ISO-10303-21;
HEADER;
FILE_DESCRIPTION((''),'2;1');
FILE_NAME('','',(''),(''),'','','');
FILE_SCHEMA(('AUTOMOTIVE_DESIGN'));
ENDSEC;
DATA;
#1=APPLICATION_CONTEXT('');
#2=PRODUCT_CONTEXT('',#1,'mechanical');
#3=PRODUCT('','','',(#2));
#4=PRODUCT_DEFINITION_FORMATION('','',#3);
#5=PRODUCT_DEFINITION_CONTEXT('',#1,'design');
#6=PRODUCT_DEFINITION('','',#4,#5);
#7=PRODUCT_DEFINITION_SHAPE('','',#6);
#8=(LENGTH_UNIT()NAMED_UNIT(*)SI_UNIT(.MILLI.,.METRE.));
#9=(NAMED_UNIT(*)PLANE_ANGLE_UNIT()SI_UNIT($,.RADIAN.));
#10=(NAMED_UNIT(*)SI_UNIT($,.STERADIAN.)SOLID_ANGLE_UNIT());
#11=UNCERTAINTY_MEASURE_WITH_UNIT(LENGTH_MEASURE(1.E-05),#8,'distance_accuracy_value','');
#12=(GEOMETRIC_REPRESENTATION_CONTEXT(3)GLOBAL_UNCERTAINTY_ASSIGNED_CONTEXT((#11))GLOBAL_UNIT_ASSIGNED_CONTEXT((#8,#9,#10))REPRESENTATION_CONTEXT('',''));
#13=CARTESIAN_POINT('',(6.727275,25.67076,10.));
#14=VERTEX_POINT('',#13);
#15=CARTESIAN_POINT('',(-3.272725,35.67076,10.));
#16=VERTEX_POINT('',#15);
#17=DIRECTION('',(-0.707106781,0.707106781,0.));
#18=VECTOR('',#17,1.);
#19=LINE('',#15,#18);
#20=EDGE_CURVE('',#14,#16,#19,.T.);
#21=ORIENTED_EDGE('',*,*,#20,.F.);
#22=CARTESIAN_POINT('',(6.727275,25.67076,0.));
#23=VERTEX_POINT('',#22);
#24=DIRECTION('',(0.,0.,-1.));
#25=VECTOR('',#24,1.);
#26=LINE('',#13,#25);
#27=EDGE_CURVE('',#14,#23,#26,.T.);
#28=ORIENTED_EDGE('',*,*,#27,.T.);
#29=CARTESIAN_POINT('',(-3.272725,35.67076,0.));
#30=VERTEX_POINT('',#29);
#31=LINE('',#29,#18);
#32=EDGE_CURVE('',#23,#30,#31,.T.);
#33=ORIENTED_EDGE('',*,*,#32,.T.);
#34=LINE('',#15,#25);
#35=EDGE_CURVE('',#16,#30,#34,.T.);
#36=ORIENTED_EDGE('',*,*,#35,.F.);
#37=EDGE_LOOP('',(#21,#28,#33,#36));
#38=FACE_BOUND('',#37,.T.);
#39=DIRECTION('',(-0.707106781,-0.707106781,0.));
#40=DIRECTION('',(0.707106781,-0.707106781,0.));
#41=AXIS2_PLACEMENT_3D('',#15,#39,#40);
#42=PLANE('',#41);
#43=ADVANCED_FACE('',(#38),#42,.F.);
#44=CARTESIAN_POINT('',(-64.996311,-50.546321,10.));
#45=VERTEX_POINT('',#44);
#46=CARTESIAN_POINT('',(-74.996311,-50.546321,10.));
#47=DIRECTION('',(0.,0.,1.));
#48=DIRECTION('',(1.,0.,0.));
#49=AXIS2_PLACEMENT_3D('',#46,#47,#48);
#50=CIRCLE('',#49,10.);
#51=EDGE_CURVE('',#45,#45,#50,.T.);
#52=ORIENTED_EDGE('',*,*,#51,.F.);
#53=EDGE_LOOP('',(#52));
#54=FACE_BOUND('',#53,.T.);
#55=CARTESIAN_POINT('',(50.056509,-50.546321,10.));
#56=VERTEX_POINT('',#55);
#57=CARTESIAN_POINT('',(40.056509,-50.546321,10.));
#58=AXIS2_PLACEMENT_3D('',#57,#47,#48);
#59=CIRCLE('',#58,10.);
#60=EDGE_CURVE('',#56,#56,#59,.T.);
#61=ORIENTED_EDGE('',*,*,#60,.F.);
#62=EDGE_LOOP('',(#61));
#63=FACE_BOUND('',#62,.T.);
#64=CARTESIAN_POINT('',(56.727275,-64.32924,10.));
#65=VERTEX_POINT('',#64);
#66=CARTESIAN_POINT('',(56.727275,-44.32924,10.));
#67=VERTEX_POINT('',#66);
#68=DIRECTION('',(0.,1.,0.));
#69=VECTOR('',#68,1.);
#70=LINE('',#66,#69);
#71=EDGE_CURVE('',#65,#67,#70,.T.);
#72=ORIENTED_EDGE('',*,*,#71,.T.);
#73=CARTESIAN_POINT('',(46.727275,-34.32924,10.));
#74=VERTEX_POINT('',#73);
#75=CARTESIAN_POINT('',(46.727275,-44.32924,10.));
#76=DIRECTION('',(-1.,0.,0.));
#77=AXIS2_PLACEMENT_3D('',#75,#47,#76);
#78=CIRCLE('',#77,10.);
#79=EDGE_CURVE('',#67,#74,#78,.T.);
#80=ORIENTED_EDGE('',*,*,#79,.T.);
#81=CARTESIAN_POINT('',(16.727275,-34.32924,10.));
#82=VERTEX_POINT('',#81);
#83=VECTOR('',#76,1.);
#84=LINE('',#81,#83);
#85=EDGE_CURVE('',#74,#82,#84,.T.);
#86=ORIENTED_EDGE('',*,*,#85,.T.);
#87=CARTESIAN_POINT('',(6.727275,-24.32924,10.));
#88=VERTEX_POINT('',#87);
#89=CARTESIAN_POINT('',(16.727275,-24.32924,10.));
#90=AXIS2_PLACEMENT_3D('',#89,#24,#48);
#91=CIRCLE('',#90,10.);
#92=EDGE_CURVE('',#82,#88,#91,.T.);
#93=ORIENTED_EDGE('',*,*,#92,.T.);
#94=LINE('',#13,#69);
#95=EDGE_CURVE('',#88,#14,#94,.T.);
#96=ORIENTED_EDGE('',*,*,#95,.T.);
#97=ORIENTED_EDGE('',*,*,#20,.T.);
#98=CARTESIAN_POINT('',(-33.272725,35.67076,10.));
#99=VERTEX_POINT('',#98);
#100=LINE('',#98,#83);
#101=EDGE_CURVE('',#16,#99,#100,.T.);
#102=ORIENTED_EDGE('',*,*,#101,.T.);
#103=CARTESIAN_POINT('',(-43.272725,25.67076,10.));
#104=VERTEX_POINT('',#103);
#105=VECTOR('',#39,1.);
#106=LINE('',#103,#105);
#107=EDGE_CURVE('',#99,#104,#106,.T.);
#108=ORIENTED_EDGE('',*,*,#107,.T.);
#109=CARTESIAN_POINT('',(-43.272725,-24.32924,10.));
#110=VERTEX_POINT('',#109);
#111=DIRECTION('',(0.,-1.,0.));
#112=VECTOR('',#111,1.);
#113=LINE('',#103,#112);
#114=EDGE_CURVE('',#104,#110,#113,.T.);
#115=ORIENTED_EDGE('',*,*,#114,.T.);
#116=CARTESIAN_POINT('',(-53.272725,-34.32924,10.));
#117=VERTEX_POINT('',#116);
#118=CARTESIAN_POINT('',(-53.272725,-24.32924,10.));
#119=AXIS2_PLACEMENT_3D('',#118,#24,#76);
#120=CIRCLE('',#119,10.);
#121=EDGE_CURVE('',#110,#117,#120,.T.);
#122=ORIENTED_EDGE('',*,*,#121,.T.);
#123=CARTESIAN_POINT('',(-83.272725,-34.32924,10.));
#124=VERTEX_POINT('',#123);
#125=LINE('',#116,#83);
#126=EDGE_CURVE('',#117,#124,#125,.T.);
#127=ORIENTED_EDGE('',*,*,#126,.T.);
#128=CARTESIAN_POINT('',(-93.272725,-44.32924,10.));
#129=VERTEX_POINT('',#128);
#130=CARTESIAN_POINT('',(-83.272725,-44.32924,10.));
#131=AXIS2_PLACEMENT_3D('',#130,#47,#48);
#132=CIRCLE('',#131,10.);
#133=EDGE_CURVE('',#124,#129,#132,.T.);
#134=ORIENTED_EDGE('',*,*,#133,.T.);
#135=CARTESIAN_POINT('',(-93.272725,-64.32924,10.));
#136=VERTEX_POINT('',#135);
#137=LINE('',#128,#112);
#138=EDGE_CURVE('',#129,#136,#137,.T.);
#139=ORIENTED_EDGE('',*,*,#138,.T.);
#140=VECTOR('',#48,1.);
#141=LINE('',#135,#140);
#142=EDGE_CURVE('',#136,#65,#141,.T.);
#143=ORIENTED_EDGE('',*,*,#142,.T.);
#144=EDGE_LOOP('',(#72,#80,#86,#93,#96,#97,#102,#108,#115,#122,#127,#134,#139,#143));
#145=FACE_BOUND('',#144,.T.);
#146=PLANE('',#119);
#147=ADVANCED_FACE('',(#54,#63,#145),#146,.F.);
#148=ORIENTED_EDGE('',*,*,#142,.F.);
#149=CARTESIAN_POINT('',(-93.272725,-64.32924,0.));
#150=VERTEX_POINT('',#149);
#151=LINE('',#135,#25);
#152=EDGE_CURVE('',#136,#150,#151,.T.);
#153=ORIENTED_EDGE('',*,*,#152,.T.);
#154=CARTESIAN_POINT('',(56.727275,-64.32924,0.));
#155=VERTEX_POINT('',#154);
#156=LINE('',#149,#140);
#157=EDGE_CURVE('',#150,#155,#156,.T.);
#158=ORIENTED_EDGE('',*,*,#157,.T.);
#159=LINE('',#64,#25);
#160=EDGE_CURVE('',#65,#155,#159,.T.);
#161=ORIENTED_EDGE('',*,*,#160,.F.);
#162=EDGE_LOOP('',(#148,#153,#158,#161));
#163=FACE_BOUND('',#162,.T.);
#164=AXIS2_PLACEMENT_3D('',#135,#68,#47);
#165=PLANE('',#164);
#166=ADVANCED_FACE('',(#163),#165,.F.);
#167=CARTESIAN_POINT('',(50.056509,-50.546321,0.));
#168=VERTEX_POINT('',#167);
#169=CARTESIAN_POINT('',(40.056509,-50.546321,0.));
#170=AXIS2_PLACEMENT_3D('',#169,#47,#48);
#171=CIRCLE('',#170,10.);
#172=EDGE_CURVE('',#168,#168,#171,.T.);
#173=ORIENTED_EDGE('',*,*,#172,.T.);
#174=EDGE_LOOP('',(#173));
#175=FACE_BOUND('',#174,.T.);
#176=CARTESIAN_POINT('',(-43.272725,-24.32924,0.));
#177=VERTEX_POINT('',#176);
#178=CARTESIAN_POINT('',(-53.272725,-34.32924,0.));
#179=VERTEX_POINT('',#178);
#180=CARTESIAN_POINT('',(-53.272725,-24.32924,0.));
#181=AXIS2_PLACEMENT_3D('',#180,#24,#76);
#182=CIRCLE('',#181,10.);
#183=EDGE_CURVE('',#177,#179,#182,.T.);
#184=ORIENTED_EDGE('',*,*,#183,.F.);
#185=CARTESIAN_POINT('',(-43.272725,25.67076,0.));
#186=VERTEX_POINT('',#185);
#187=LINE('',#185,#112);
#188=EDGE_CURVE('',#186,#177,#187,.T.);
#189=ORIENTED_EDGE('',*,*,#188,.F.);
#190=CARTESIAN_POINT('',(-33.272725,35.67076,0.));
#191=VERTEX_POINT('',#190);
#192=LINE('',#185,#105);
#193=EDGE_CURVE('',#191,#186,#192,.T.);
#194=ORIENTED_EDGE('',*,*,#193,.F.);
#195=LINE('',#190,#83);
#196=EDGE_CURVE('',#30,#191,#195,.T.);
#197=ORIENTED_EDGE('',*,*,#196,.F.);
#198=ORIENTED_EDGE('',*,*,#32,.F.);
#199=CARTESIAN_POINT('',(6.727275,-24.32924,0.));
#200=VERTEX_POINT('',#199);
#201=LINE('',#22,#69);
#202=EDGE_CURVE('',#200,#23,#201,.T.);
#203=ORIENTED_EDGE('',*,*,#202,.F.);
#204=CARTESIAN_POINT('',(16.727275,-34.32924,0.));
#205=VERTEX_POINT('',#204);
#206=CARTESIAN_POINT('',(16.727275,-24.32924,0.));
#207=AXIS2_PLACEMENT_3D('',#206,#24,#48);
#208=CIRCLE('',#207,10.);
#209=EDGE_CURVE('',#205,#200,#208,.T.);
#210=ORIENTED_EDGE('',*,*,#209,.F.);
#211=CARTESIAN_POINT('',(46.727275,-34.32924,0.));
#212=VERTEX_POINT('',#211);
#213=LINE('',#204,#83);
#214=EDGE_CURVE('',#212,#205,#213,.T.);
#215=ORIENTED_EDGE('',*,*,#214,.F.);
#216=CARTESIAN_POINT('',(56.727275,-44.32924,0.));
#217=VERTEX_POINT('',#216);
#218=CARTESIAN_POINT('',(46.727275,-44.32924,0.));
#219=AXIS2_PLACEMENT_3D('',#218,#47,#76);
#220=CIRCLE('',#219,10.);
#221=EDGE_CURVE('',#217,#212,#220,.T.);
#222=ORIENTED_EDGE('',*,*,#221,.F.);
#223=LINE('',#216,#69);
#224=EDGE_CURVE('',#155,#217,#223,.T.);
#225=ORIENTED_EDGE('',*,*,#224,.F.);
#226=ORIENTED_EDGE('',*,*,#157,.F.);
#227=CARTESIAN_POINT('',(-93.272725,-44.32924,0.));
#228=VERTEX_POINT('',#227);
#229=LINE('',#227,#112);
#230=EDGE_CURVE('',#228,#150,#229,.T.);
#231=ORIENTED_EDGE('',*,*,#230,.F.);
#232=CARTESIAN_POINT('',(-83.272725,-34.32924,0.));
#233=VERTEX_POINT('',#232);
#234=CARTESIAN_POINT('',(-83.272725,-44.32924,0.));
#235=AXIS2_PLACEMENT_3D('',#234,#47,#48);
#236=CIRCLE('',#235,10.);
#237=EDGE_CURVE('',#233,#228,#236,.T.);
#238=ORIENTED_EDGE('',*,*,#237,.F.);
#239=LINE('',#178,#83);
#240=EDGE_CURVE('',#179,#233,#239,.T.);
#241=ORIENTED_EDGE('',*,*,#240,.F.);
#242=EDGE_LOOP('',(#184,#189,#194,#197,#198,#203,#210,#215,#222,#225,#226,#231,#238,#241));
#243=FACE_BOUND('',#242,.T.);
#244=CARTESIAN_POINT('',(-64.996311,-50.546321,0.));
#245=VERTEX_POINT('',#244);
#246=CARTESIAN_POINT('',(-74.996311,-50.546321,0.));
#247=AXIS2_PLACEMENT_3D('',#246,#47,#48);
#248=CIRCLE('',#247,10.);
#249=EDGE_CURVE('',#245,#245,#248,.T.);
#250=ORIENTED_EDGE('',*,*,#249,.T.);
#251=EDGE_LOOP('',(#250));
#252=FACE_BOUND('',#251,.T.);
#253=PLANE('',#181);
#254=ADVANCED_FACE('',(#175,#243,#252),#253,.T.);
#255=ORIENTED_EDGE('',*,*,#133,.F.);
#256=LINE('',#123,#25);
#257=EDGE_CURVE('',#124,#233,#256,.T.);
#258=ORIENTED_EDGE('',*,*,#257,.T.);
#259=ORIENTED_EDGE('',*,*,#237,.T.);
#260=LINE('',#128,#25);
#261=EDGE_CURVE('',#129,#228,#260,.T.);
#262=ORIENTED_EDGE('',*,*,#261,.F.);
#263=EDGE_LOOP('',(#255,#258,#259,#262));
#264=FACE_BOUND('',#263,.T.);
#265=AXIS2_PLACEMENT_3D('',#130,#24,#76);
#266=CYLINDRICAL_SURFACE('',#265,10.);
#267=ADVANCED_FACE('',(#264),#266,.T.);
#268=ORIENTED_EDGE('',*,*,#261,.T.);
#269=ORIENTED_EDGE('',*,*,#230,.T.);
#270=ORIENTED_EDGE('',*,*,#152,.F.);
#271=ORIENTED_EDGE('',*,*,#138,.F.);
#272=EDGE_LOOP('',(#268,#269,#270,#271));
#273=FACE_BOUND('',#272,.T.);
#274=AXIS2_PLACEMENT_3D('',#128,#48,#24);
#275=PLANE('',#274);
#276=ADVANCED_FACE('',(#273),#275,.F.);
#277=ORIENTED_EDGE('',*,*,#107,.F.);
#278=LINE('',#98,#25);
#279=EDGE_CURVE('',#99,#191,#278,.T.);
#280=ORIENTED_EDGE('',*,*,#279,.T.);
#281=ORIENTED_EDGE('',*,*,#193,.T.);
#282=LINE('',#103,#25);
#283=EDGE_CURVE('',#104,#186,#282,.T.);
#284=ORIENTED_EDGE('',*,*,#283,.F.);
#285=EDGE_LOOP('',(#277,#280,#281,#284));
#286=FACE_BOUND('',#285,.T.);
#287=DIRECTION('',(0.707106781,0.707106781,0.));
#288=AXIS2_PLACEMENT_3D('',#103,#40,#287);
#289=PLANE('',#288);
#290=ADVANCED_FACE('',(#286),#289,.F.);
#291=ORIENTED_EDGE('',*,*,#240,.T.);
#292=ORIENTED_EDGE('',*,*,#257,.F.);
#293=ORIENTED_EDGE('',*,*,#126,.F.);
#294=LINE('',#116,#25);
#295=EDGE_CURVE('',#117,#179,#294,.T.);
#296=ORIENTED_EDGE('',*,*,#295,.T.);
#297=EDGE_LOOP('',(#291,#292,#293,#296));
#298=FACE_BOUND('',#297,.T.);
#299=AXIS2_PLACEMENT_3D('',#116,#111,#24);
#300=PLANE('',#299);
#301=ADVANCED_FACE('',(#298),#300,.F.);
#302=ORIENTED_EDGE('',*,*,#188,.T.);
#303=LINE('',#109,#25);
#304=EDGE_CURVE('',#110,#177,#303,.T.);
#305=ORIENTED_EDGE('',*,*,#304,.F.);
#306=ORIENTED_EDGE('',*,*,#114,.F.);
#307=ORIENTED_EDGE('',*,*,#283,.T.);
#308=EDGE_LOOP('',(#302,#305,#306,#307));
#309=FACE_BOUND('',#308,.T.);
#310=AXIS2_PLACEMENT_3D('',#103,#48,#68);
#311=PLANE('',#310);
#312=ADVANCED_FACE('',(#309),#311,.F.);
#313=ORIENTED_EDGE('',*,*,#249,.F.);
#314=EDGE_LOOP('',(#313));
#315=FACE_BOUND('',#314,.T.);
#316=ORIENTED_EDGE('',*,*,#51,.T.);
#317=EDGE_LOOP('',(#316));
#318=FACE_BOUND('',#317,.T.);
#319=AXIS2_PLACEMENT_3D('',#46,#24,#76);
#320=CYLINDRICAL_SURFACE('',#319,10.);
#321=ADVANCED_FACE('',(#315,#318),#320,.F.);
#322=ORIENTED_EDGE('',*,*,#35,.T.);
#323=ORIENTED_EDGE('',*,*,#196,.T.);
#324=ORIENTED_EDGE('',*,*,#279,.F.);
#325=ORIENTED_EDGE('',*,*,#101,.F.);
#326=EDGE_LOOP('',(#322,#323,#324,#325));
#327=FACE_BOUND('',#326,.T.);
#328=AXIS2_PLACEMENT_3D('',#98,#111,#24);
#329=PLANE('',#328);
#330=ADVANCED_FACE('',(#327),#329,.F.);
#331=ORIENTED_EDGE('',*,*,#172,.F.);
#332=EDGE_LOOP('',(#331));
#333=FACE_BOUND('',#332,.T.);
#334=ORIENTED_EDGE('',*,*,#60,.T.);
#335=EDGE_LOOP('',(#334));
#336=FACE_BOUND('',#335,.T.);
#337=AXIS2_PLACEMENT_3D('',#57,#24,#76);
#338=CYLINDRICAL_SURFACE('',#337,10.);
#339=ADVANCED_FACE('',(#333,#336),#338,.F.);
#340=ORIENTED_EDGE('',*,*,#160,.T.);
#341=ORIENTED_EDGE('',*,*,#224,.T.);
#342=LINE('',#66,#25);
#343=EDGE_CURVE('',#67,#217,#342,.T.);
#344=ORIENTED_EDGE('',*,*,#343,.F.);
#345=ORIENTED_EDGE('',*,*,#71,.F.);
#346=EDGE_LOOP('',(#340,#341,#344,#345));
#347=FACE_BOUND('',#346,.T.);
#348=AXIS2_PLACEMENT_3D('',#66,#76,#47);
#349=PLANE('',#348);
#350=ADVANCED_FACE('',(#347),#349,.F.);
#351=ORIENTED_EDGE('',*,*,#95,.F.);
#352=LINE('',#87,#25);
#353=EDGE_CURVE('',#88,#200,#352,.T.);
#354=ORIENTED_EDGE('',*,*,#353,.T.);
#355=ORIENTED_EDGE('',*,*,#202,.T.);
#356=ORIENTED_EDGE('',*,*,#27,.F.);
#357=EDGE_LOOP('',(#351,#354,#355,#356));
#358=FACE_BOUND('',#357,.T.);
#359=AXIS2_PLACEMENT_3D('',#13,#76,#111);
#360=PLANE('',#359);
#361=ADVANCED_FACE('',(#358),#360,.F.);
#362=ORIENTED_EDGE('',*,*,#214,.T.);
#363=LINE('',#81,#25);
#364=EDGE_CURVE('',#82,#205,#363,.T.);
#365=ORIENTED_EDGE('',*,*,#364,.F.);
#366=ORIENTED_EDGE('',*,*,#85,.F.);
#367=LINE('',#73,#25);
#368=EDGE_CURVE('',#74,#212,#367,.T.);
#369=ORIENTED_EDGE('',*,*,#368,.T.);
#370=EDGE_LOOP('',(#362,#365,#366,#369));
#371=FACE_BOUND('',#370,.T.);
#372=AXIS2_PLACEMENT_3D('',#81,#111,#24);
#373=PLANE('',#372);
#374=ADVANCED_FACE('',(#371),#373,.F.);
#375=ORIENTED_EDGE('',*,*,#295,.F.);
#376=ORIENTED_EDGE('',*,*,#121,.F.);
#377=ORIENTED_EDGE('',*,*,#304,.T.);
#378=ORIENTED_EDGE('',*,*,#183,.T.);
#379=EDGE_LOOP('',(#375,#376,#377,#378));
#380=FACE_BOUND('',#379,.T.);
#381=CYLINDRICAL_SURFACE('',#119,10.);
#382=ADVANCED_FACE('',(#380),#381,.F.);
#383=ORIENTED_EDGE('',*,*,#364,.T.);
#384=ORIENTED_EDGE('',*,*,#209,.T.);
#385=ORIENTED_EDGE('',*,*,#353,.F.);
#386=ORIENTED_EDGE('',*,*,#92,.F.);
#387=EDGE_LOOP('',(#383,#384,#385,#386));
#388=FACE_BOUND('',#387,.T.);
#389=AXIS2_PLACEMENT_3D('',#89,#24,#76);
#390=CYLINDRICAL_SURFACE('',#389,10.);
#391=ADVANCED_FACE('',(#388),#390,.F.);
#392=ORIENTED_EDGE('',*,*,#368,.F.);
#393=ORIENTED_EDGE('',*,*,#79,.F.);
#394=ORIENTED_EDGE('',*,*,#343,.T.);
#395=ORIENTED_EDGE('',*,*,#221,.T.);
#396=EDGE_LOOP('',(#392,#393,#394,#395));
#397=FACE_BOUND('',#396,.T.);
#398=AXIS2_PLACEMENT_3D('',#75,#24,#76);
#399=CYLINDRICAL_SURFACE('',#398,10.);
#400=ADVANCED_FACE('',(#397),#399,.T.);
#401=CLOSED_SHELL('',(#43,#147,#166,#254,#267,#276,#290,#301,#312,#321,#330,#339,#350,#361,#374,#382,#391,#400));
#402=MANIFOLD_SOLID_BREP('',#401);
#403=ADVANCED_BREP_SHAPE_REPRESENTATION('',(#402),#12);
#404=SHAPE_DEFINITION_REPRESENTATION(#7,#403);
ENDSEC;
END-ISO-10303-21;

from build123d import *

# Parameters (mm, degrees)
SKETCH1_R           = 10
BOSS_EXTRUDE1_DEPTH = 10


with BuildPart() as part:
    # Sketch1 → Boss-Extrude1 (new body)
    with BuildSketch(Plane.XY):
        with BuildLine():
            Line((-33.27272534, 35.670760078), (-3.27272534, 35.670760078))
            Line((-3.27272534, 35.670760078), (6.72727466, 25.670760078))
            Line((6.72727466, 25.670760078), (6.72727466, -24.329239922))
            ThreePointArc((6.72727466, -24.329239922), (9.656206848, -31.400307734), (16.72727466, -34.329239922))
            Line((16.72727466, -34.329239922), (46.72727466, -34.329239922))
            ThreePointArc((46.72727466, -34.329239922), (53.798342472, -37.258172111), (56.72727466, -44.329239922))
            Line((56.72727466, -44.329239922), (56.72727466, -64.329239922))
            Line((56.72727466, -64.329239922), (-93.27272534, -64.329239922))
            Line((-93.27272534, -64.329239922), (-93.27272534, -44.329239922))
            ThreePointArc((-93.27272534, -44.329239922), (-90.343793152, -37.258172111), (-83.27272534, -34.329239922))
            Line((-83.27272534, -34.329239922), (-53.27272534, -34.329239922))
            ThreePointArc((-53.27272534, -34.329239922), (-46.201657528, -31.400307734), (-43.27272534, -24.329239922))
            Line((-43.27272534, -24.329239922), (-43.27272534, 25.670760078))
            Line((-43.27272534, 25.670760078), (-33.27272534, 35.670760078))
        make_face()
        with Locations((-74.996311147, -50.546321168)):
            Circle(SKETCH1_R, mode=Mode.SUBTRACT)
        with Locations((40.056509267, -50.546321168)):
            Circle(SKETCH1_R, mode=Mode.SUBTRACT)
    extrude(amount=BOSS_EXTRUDE1_DEPTH)


solid = part.part
